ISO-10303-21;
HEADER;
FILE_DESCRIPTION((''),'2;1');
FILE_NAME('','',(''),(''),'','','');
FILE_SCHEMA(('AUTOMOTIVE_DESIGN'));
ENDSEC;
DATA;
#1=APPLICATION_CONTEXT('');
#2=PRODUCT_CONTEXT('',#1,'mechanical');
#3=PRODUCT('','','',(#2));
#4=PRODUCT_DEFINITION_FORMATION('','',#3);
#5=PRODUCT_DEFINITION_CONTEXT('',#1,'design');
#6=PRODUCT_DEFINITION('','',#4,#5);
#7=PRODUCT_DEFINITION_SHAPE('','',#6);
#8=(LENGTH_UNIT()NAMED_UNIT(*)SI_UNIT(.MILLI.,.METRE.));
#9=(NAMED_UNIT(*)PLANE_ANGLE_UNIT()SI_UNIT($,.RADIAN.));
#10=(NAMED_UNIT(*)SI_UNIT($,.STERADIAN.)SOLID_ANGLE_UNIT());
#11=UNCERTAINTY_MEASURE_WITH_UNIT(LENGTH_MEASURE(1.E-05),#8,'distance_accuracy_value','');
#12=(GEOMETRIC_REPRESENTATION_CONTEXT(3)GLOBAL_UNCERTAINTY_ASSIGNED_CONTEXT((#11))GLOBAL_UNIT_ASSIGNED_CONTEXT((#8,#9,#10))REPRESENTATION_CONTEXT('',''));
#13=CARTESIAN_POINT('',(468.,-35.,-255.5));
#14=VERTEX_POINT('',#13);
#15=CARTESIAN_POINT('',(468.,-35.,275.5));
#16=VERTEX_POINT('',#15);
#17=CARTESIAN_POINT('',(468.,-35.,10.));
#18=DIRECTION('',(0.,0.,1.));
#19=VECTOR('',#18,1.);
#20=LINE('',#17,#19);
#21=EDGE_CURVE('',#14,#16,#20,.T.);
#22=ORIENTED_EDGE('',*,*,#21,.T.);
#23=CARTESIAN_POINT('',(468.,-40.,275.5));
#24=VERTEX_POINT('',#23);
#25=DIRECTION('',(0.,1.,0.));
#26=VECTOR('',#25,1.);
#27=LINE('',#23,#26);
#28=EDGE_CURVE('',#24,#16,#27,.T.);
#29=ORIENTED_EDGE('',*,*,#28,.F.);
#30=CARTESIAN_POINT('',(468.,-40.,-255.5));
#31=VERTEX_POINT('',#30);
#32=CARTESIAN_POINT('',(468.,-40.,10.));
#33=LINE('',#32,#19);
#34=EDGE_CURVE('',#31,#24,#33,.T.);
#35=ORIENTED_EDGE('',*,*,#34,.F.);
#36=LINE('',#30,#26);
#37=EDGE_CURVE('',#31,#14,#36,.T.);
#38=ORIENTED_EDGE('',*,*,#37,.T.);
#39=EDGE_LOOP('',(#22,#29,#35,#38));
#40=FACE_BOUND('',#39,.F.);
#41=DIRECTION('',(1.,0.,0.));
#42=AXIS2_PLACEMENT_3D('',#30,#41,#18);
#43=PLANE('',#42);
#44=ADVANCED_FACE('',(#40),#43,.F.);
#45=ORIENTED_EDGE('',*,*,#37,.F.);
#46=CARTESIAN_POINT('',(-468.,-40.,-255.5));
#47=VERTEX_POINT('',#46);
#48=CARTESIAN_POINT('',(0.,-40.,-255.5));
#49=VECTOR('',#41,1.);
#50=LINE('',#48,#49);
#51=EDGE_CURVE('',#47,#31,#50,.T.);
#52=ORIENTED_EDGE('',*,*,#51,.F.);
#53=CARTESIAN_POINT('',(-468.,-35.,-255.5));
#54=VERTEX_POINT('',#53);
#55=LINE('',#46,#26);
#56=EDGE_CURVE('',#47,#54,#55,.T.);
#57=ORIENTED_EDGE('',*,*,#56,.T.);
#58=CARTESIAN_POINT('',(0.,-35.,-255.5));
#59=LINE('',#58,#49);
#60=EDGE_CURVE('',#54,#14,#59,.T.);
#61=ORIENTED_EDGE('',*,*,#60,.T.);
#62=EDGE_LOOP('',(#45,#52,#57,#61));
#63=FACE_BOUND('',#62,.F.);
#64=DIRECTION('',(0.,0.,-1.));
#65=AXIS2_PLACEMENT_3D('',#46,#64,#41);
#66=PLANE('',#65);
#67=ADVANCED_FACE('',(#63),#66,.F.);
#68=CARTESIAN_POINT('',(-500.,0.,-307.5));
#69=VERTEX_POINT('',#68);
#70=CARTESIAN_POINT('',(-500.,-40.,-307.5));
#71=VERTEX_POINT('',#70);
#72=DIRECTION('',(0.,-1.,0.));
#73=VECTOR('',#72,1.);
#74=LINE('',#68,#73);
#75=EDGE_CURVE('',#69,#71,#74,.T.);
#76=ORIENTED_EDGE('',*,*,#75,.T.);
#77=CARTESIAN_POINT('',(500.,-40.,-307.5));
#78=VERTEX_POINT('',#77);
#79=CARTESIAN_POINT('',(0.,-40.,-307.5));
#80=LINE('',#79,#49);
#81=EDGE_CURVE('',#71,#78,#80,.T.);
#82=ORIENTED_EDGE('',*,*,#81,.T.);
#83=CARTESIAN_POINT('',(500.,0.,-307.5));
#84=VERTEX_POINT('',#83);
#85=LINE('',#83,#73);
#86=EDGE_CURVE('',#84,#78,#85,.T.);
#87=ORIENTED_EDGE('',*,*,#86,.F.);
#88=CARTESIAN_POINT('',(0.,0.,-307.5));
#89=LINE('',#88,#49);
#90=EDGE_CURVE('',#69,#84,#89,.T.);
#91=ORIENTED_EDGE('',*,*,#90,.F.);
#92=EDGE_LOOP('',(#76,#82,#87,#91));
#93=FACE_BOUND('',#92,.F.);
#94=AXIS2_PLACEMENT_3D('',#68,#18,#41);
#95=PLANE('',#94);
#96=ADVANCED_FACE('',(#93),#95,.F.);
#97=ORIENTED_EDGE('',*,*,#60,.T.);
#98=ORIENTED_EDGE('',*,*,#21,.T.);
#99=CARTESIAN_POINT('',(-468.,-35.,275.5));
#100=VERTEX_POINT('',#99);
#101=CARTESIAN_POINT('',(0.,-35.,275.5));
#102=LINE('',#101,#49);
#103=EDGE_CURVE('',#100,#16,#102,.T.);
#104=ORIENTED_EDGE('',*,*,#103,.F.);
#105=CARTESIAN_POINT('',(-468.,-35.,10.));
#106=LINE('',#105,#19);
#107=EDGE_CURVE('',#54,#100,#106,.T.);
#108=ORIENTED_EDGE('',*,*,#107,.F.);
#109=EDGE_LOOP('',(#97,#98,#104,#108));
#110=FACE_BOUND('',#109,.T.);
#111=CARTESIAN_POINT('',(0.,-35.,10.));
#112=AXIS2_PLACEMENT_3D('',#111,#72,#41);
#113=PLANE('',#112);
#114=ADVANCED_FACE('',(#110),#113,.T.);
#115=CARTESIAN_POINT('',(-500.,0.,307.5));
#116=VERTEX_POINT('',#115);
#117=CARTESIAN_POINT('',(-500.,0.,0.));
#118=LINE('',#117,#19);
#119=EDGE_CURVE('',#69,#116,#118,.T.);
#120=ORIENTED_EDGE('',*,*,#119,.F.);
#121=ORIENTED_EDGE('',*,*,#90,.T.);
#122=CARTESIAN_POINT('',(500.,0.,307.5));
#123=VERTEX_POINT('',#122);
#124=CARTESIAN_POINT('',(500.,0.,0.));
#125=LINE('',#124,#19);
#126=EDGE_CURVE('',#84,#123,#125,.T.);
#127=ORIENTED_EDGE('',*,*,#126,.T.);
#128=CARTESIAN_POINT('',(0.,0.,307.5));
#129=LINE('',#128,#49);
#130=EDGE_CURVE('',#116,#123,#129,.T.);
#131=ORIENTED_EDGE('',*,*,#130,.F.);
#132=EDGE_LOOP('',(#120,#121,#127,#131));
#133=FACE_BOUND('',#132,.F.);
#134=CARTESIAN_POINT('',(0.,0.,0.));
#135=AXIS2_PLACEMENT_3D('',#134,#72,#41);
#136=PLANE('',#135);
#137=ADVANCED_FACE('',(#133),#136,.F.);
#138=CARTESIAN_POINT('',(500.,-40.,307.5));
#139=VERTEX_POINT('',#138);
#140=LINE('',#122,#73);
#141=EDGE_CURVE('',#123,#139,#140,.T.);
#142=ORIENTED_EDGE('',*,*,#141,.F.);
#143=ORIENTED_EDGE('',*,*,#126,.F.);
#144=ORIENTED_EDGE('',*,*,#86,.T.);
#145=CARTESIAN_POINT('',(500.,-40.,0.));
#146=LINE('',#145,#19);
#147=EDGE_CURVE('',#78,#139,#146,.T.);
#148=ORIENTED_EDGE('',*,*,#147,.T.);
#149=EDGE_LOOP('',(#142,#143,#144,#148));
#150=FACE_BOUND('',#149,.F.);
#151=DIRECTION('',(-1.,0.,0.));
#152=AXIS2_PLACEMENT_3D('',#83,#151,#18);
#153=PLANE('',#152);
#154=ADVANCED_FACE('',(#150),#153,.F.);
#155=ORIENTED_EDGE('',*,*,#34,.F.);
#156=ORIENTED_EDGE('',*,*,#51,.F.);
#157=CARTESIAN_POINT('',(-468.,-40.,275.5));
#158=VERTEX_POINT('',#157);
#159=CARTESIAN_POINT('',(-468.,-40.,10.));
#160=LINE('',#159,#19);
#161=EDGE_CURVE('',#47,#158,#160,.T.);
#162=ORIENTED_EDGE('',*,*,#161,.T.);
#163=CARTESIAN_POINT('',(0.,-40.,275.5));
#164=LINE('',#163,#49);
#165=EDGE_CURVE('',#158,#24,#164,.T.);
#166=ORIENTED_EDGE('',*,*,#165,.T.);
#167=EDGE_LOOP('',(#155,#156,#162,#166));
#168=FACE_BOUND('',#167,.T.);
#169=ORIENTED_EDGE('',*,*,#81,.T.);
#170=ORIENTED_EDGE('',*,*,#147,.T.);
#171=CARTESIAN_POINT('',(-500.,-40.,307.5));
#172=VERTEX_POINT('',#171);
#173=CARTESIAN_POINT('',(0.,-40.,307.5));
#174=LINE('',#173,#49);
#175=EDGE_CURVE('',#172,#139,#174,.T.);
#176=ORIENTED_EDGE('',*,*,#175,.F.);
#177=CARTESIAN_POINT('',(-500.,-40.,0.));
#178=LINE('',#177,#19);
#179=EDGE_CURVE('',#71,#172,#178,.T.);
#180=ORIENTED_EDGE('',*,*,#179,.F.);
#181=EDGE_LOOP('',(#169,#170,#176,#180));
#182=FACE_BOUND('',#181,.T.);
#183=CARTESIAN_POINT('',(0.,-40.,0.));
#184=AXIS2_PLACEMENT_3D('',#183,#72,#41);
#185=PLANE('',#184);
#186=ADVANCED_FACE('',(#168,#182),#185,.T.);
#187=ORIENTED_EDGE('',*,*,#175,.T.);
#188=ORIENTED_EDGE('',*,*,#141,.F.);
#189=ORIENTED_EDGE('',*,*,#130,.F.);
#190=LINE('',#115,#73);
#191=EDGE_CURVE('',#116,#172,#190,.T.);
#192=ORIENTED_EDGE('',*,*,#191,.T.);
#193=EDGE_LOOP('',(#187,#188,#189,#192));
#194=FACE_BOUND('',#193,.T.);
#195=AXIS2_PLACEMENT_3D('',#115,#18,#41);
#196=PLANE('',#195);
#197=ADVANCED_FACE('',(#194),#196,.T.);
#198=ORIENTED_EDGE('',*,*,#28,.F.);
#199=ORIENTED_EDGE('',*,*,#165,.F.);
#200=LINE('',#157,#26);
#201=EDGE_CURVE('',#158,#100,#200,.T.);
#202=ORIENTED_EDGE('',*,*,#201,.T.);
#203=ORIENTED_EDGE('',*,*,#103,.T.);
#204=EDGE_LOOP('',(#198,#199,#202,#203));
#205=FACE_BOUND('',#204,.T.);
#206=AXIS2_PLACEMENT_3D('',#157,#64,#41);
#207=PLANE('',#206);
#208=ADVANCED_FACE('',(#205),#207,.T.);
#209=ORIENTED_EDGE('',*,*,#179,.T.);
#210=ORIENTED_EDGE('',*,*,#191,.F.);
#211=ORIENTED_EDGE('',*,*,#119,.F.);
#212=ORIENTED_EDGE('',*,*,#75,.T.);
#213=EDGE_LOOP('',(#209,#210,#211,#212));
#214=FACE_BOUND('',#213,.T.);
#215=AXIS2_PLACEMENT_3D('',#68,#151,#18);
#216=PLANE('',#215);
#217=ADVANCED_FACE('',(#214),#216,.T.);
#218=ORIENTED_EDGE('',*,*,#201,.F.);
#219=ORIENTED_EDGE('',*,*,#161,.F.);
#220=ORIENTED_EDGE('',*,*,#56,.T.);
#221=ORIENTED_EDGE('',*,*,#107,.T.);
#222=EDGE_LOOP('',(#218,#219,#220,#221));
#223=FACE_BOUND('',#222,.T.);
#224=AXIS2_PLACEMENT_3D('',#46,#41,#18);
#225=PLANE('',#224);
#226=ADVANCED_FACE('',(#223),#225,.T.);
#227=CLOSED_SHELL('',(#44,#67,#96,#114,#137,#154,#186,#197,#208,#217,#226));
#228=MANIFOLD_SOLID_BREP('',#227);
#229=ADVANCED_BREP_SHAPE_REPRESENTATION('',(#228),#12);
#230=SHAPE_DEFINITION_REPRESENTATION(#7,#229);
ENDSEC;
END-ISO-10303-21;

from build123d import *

# Parameters (mm, degrees)
SKETCH_W     = 1000
SKETCH_H     = 615
PAD_DEPTH    = 40
SKETCH001_W  = 936
SKETCH001_H  = 531
POCKET_DEPTH = 5


with BuildPart() as part:
    # Sketch → Pad (new body)
    with BuildSketch(Plane.XZ):
        Rectangle(SKETCH_W, SKETCH_H)
    extrude(amount=PAD_DEPTH)

    # Sketch001 (on Face6 of Pad) → Pocket (cut)
    with BuildSketch(Plane.XZ.offset(40)):
        with Locations((0, 10)):
            Rectangle(SKETCH001_W, SKETCH001_H)
    extrude(amount=-POCKET_DEPTH, mode=Mode.SUBTRACT)


solid = part.part
